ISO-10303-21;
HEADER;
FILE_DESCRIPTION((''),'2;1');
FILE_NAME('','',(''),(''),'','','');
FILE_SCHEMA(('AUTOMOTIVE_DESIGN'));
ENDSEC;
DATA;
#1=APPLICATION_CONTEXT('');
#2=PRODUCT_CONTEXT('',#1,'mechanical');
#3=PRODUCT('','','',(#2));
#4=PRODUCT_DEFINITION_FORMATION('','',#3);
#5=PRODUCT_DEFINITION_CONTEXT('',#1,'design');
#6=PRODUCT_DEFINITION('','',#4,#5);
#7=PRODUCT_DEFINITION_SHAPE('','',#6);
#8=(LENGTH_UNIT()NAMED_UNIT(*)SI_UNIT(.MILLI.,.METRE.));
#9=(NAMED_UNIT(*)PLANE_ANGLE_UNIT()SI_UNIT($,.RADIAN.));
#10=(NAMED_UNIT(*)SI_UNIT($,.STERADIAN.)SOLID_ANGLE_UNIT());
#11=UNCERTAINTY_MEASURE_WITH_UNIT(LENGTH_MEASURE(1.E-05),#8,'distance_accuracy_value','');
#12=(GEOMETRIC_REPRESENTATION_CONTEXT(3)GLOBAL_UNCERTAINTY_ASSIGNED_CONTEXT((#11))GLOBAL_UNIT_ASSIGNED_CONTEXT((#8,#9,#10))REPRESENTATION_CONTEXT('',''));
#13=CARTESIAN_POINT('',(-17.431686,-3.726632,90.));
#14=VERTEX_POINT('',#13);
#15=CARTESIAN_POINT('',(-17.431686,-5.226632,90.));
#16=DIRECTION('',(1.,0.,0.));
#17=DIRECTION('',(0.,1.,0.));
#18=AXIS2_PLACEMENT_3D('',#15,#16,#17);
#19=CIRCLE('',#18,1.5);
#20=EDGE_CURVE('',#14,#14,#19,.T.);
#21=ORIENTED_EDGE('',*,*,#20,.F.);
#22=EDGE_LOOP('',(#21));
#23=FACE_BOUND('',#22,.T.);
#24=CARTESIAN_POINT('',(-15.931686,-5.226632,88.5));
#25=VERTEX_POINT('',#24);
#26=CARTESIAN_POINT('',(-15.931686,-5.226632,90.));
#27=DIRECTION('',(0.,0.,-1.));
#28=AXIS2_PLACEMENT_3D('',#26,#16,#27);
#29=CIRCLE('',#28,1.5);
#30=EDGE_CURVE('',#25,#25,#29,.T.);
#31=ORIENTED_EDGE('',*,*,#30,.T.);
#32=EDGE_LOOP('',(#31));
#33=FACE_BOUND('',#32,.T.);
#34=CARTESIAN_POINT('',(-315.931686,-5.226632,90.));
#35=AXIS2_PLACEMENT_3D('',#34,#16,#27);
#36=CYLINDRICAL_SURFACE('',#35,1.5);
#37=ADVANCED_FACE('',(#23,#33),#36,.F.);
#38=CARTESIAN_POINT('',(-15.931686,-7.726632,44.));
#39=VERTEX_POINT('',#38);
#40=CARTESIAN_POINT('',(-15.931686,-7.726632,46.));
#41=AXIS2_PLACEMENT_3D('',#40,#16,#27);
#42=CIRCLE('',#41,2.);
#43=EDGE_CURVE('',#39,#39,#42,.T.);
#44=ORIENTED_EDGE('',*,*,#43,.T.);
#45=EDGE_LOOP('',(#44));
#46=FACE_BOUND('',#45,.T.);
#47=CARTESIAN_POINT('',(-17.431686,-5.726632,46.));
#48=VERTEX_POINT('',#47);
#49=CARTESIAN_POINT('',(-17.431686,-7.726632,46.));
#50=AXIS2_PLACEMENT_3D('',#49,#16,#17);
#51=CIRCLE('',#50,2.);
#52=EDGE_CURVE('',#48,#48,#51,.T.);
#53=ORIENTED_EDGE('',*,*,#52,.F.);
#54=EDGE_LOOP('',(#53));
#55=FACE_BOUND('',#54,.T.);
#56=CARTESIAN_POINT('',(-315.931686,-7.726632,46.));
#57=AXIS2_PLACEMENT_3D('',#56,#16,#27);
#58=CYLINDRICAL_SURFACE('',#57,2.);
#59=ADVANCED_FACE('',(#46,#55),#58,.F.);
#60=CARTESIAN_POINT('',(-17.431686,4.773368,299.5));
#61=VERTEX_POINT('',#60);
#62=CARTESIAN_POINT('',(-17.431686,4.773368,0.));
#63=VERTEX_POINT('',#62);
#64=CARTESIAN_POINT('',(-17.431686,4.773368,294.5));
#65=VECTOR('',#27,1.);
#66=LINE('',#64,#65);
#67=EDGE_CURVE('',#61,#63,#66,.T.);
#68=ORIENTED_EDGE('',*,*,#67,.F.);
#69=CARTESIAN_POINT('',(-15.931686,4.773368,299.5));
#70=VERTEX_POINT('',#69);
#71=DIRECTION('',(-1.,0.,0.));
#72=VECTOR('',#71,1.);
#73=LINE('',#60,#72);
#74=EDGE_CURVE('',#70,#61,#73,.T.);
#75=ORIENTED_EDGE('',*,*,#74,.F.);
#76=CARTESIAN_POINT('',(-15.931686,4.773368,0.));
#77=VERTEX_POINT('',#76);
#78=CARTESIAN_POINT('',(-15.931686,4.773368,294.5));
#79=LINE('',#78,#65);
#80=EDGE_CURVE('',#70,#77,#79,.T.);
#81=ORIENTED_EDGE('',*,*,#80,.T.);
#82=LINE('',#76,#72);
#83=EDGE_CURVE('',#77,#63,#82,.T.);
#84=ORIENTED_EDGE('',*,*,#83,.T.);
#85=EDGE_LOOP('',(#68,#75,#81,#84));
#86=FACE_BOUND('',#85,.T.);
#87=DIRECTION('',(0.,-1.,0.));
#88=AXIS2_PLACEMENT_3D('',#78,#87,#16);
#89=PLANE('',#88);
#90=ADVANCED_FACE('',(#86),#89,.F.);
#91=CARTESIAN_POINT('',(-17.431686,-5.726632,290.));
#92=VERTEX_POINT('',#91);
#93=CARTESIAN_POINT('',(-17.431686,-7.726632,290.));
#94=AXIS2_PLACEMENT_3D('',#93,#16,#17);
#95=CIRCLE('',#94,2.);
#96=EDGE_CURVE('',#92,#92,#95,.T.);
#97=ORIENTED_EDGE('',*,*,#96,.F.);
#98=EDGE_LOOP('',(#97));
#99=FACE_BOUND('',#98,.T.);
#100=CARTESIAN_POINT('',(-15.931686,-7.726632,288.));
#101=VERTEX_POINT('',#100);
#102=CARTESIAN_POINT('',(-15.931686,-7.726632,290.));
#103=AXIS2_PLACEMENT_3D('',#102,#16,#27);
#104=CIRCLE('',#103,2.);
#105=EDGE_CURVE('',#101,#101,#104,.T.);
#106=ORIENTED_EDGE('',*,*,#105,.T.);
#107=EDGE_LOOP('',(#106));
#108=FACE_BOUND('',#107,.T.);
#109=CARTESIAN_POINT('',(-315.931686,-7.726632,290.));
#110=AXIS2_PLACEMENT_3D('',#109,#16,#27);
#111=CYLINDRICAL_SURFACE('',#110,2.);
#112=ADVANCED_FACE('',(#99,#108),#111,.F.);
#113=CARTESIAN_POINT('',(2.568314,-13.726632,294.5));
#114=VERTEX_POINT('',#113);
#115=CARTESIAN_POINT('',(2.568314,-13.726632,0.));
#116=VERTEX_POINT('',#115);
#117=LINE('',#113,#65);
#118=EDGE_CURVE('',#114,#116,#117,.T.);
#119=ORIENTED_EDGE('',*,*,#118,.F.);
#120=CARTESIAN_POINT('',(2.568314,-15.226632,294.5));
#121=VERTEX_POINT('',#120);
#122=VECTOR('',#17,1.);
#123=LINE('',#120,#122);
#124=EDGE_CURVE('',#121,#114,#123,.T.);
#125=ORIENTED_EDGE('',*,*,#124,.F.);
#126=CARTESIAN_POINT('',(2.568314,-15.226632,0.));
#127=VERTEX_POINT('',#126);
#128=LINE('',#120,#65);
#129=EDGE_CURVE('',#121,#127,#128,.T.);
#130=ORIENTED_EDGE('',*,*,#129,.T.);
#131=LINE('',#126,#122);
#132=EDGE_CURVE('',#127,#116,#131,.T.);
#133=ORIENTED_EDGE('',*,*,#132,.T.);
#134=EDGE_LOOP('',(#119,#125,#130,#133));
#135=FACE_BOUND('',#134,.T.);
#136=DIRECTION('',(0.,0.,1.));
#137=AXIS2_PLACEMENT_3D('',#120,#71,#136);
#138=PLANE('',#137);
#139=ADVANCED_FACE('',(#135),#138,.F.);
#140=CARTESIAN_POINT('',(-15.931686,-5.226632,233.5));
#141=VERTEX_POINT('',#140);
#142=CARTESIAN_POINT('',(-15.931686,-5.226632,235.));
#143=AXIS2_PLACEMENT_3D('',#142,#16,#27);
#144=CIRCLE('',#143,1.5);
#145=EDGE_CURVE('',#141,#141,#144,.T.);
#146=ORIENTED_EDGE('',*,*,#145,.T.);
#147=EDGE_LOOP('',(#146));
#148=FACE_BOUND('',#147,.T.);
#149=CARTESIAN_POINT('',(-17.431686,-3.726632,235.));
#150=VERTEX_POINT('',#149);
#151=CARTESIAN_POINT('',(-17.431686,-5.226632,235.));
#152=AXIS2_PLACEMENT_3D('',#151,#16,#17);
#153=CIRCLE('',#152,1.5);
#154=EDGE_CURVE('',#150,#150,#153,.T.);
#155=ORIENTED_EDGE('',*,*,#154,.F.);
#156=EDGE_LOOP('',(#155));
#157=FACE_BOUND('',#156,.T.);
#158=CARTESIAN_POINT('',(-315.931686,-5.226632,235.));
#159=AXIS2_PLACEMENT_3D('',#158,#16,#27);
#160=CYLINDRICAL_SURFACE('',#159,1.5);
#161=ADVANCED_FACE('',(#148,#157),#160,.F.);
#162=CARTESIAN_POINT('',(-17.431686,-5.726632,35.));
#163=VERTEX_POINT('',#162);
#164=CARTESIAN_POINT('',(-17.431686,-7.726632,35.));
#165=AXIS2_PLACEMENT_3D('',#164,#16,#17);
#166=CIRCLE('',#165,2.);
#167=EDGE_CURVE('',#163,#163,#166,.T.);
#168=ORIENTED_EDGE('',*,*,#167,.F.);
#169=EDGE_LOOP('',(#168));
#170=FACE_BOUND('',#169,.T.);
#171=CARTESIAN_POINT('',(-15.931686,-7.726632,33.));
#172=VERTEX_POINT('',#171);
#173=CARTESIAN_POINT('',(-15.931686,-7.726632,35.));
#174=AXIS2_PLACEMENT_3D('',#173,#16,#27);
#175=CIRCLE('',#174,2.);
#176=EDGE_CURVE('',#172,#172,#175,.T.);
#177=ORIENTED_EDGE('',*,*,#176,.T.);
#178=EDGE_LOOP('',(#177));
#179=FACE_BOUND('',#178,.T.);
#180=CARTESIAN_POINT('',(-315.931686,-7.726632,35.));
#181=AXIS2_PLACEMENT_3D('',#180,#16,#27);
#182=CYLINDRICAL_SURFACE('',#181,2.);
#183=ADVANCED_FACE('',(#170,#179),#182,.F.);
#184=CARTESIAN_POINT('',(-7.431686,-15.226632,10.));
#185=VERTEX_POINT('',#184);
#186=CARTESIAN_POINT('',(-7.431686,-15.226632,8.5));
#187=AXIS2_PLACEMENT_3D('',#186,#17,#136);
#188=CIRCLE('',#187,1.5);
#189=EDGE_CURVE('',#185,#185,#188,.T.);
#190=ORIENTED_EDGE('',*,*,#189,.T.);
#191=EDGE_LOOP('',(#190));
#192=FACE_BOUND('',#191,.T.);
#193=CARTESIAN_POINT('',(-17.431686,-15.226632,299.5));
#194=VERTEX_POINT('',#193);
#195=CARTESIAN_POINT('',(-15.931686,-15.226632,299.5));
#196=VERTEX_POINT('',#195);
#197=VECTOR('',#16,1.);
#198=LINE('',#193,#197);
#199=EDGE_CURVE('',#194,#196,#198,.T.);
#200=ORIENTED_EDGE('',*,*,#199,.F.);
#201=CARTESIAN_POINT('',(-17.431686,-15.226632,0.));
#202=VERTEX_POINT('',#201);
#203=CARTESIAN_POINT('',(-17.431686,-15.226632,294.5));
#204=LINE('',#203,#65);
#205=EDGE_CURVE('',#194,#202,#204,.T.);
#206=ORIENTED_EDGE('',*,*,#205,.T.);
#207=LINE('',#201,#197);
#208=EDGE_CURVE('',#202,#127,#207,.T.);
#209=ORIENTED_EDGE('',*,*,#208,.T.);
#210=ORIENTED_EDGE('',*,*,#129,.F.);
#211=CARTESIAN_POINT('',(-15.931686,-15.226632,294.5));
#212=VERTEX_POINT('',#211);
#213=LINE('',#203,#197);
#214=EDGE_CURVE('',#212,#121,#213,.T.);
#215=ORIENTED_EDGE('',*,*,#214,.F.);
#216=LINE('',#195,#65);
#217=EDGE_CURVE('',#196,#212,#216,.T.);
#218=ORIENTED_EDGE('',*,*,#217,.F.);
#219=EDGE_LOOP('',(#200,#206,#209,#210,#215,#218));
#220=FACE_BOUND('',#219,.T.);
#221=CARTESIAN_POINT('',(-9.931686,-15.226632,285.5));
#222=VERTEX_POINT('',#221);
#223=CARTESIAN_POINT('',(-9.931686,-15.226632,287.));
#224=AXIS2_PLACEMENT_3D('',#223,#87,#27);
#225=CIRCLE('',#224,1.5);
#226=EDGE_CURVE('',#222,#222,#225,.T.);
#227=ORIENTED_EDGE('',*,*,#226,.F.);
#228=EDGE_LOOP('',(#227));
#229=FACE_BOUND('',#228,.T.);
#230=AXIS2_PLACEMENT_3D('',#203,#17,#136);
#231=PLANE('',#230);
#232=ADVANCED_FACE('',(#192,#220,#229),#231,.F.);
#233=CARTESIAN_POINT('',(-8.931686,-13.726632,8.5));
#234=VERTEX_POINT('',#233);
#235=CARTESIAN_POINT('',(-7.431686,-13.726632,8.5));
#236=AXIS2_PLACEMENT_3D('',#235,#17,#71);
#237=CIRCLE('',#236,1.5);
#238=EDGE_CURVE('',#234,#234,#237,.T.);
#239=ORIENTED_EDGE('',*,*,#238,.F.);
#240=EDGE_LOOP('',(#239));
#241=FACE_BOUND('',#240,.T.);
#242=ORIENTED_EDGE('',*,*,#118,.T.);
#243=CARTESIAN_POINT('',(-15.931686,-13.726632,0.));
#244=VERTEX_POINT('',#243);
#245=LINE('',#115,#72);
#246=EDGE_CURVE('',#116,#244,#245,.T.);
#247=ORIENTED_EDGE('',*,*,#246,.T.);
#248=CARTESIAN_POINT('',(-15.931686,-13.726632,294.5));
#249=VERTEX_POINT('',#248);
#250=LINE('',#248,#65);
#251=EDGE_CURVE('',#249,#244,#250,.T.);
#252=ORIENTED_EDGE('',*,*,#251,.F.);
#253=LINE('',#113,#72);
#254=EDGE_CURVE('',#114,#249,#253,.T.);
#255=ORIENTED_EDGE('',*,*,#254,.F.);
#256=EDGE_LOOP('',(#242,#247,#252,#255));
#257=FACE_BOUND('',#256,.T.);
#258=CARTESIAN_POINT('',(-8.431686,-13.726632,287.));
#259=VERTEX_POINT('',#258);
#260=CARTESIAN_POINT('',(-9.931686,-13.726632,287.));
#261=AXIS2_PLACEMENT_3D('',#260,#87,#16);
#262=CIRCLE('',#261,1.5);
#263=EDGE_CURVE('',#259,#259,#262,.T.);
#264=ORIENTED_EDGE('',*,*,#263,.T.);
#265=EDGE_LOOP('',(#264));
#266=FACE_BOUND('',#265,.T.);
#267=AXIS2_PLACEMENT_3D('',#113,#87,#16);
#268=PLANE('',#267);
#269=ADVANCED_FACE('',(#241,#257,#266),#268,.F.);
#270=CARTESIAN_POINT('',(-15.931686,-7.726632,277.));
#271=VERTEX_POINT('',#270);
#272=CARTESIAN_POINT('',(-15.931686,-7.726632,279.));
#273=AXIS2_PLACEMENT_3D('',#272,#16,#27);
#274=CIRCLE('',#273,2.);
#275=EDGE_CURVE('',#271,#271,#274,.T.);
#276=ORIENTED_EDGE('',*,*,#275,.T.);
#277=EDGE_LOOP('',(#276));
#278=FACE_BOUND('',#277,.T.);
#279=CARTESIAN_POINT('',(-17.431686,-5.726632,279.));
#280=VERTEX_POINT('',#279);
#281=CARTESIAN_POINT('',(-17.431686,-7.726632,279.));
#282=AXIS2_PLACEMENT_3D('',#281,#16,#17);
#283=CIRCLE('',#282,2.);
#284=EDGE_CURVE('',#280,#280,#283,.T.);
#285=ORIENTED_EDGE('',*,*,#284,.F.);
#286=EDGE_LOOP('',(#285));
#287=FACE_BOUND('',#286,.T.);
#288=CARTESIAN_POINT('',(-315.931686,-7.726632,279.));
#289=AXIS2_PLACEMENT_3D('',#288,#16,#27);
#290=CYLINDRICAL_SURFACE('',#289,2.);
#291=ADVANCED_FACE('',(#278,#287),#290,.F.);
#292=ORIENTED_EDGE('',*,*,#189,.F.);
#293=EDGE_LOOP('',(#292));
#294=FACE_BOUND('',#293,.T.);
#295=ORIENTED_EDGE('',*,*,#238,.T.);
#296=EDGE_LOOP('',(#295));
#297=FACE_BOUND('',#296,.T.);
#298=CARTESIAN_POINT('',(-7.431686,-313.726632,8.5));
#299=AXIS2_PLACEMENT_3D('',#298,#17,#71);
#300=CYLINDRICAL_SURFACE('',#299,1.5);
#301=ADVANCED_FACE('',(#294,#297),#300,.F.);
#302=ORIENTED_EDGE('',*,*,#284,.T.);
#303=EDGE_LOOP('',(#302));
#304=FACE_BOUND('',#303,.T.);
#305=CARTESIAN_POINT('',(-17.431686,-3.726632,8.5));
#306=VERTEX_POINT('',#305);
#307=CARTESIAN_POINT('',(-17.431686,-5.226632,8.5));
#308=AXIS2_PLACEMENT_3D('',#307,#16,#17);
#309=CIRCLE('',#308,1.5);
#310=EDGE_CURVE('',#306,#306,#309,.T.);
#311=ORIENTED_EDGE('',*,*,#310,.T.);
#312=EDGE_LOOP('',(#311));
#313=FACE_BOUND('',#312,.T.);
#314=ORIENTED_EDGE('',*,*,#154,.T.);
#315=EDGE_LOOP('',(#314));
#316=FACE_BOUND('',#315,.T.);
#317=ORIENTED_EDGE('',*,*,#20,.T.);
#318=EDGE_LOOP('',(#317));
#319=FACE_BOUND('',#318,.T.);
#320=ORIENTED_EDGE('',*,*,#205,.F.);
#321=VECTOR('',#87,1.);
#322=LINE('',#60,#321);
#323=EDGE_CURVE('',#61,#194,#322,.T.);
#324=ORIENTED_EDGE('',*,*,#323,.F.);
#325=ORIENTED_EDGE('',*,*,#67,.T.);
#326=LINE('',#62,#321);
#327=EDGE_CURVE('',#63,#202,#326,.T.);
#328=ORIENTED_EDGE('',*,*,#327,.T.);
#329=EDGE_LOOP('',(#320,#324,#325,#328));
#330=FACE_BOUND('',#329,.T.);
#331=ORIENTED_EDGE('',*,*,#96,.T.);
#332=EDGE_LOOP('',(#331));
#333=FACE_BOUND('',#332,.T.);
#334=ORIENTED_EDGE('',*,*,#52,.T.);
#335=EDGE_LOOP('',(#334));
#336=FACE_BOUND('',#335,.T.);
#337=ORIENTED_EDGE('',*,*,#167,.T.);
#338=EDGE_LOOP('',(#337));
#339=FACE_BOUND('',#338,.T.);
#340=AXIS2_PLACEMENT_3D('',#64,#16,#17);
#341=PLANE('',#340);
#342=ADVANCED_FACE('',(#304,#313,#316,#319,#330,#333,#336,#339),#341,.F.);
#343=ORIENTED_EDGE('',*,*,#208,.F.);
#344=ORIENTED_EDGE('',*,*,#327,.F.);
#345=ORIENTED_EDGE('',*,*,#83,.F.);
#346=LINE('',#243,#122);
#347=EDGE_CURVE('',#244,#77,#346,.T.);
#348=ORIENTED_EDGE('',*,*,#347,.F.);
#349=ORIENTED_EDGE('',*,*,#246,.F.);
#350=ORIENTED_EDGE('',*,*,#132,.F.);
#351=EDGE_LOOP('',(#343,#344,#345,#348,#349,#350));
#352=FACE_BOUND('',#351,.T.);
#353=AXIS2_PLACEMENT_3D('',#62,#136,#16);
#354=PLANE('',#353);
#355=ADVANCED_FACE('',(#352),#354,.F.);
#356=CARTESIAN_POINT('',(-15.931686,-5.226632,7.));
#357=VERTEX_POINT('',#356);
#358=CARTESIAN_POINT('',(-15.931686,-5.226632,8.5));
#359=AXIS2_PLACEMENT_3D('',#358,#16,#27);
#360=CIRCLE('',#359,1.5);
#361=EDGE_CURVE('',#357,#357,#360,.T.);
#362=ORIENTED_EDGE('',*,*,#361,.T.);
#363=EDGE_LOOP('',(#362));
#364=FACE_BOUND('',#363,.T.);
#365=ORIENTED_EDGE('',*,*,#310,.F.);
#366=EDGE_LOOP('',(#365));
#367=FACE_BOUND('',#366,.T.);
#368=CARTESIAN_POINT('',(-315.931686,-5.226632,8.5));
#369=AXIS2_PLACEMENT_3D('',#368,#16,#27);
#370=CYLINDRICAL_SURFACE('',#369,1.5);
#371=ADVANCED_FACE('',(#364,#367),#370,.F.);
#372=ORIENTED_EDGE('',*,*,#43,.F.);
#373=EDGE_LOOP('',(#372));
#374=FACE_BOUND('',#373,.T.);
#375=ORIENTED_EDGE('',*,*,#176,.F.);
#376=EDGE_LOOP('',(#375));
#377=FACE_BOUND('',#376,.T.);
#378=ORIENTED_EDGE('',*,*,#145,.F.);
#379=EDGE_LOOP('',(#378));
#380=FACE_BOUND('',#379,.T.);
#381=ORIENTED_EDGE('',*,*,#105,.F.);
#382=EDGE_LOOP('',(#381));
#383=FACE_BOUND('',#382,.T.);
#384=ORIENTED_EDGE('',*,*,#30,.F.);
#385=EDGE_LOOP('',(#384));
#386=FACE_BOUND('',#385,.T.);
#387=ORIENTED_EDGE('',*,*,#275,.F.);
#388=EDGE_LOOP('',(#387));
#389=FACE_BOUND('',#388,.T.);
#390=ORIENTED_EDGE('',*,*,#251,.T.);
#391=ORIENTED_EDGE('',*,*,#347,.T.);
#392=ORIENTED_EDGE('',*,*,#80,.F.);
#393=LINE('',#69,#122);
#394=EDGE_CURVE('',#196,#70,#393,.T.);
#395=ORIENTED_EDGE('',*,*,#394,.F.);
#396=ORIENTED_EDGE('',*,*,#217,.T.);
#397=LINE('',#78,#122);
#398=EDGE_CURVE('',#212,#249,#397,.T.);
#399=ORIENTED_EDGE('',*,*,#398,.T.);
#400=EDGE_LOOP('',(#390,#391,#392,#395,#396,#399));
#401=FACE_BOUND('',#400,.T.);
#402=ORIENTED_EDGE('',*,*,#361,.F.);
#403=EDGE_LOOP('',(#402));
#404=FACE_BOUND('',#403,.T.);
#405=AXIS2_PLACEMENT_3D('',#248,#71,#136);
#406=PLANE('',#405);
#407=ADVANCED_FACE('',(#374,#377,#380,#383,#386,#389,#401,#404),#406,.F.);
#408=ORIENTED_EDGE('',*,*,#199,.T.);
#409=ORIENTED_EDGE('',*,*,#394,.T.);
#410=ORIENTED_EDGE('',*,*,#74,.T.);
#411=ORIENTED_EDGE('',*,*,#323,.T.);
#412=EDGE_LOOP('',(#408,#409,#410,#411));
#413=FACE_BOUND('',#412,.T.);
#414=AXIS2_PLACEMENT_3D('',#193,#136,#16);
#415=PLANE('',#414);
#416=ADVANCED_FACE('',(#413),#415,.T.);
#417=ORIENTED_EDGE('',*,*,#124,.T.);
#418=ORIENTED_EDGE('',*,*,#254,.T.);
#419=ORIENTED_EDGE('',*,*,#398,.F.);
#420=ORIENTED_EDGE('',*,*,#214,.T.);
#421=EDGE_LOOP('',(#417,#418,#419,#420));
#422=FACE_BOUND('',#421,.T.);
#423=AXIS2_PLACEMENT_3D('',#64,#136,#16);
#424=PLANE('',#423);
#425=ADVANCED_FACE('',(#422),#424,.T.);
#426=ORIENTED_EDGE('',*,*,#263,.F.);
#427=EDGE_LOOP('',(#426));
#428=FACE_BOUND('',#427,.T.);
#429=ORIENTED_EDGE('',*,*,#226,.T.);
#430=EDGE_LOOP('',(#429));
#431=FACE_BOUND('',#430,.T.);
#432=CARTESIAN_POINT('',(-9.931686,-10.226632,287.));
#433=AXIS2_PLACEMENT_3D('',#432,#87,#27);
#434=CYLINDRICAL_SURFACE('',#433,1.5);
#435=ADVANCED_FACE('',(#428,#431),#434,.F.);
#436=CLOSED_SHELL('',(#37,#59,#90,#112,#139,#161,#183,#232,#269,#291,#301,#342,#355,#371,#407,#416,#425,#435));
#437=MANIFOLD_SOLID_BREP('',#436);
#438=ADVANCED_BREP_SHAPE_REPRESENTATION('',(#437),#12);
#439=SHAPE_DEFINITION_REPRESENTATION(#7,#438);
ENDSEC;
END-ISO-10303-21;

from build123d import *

# Parameters (mm, degrees)
EXTRUSION1_DEPTH = 294.5
ESQUISSE2_R      = 1.5
EXTRUSION2_DEPTH = 300
ESQUISSE3_R      = 1.5
ESQUISSE3_R_2    = 2
EXTRUSION3_DEPTH = 300
ESQUISSE4_W      = 1.5
ESQUISSE4_H      = 20
EXTRUSION4_DEPTH = 5
ESQUISSE5_R      = 1.5
EXTRUSION5_DEPTH = 5


with BuildPart() as part:
    # Esquisse1 → Extrusion1 (new body)
    with BuildSketch(Plane.XY):
        Polygon((-17.43168638, 4.773368421), (-17.43168638, -15.226631579), (2.56831362, -15.226631579), (2.56831362, -13.726631579), (-15.93168638, -13.726631579), (-15.93168638, 4.773368421), align=None)
    extrude(amount=EXTRUSION1_DEPTH)

    # Esquisse2 → Extrusion2 (cut)
    with BuildSketch(Plane(origin=(0, -13.726631579, 0), x_dir=(-1, 0, 0), z_dir=(0, 1, 0))):
        with Locations((7.43168638, 8.5)):
            Circle(ESQUISSE2_R)
    extrude(amount=-EXTRUSION2_DEPTH, mode=Mode.SUBTRACT)

    # Esquisse3 → Extrusion3 (cut)
    with BuildSketch(Plane(origin=(-15.93168638, 0, 0), x_dir=(0, 0, -1), z_dir=(1, 0, 0))):
        with Locations((-8.5, -5.226631579)):
            Circle(ESQUISSE3_R)
        with Locations((-35, -7.726631579)):
            Circle(ESQUISSE3_R_2)
        with Locations((-46, -7.726631579)):
            Circle(ESQUISSE3_R_2)
        with Locations((-290, -7.726631579)):
            Circle(ESQUISSE3_R_2)
        with Locations((-279, -7.726631579)):
            Circle(ESQUISSE3_R_2)
        with Locations((-235, -5.226631579)):
            Circle(ESQUISSE3_R)
        with Locations((-90, -5.226631579)):
            Circle(ESQUISSE3_R)
    extrude(amount=-EXTRUSION3_DEPTH, mode=Mode.SUBTRACT)

    # Esquisse4 → Extrusion4 (add)
    with BuildSketch(Plane.XY.offset(294.5)):
        with Locations((-16.68168638, -5.226631579)):
            Rectangle(ESQUISSE4_W, ESQUISSE4_H)
    extrude(amount=EXTRUSION4_DEPTH)

    # Esquisse5 → Extrusion5 (cut)
    with BuildSketch(Plane.XZ.offset(15.226631579)):
        with Locations(Location((-9.93168638, 287, 0), (0, 0, 270))):
            Circle(ESQUISSE5_R)
    extrude(amount=-EXTRUSION5_DEPTH, mode=Mode.SUBTRACT)


solid = part.part
